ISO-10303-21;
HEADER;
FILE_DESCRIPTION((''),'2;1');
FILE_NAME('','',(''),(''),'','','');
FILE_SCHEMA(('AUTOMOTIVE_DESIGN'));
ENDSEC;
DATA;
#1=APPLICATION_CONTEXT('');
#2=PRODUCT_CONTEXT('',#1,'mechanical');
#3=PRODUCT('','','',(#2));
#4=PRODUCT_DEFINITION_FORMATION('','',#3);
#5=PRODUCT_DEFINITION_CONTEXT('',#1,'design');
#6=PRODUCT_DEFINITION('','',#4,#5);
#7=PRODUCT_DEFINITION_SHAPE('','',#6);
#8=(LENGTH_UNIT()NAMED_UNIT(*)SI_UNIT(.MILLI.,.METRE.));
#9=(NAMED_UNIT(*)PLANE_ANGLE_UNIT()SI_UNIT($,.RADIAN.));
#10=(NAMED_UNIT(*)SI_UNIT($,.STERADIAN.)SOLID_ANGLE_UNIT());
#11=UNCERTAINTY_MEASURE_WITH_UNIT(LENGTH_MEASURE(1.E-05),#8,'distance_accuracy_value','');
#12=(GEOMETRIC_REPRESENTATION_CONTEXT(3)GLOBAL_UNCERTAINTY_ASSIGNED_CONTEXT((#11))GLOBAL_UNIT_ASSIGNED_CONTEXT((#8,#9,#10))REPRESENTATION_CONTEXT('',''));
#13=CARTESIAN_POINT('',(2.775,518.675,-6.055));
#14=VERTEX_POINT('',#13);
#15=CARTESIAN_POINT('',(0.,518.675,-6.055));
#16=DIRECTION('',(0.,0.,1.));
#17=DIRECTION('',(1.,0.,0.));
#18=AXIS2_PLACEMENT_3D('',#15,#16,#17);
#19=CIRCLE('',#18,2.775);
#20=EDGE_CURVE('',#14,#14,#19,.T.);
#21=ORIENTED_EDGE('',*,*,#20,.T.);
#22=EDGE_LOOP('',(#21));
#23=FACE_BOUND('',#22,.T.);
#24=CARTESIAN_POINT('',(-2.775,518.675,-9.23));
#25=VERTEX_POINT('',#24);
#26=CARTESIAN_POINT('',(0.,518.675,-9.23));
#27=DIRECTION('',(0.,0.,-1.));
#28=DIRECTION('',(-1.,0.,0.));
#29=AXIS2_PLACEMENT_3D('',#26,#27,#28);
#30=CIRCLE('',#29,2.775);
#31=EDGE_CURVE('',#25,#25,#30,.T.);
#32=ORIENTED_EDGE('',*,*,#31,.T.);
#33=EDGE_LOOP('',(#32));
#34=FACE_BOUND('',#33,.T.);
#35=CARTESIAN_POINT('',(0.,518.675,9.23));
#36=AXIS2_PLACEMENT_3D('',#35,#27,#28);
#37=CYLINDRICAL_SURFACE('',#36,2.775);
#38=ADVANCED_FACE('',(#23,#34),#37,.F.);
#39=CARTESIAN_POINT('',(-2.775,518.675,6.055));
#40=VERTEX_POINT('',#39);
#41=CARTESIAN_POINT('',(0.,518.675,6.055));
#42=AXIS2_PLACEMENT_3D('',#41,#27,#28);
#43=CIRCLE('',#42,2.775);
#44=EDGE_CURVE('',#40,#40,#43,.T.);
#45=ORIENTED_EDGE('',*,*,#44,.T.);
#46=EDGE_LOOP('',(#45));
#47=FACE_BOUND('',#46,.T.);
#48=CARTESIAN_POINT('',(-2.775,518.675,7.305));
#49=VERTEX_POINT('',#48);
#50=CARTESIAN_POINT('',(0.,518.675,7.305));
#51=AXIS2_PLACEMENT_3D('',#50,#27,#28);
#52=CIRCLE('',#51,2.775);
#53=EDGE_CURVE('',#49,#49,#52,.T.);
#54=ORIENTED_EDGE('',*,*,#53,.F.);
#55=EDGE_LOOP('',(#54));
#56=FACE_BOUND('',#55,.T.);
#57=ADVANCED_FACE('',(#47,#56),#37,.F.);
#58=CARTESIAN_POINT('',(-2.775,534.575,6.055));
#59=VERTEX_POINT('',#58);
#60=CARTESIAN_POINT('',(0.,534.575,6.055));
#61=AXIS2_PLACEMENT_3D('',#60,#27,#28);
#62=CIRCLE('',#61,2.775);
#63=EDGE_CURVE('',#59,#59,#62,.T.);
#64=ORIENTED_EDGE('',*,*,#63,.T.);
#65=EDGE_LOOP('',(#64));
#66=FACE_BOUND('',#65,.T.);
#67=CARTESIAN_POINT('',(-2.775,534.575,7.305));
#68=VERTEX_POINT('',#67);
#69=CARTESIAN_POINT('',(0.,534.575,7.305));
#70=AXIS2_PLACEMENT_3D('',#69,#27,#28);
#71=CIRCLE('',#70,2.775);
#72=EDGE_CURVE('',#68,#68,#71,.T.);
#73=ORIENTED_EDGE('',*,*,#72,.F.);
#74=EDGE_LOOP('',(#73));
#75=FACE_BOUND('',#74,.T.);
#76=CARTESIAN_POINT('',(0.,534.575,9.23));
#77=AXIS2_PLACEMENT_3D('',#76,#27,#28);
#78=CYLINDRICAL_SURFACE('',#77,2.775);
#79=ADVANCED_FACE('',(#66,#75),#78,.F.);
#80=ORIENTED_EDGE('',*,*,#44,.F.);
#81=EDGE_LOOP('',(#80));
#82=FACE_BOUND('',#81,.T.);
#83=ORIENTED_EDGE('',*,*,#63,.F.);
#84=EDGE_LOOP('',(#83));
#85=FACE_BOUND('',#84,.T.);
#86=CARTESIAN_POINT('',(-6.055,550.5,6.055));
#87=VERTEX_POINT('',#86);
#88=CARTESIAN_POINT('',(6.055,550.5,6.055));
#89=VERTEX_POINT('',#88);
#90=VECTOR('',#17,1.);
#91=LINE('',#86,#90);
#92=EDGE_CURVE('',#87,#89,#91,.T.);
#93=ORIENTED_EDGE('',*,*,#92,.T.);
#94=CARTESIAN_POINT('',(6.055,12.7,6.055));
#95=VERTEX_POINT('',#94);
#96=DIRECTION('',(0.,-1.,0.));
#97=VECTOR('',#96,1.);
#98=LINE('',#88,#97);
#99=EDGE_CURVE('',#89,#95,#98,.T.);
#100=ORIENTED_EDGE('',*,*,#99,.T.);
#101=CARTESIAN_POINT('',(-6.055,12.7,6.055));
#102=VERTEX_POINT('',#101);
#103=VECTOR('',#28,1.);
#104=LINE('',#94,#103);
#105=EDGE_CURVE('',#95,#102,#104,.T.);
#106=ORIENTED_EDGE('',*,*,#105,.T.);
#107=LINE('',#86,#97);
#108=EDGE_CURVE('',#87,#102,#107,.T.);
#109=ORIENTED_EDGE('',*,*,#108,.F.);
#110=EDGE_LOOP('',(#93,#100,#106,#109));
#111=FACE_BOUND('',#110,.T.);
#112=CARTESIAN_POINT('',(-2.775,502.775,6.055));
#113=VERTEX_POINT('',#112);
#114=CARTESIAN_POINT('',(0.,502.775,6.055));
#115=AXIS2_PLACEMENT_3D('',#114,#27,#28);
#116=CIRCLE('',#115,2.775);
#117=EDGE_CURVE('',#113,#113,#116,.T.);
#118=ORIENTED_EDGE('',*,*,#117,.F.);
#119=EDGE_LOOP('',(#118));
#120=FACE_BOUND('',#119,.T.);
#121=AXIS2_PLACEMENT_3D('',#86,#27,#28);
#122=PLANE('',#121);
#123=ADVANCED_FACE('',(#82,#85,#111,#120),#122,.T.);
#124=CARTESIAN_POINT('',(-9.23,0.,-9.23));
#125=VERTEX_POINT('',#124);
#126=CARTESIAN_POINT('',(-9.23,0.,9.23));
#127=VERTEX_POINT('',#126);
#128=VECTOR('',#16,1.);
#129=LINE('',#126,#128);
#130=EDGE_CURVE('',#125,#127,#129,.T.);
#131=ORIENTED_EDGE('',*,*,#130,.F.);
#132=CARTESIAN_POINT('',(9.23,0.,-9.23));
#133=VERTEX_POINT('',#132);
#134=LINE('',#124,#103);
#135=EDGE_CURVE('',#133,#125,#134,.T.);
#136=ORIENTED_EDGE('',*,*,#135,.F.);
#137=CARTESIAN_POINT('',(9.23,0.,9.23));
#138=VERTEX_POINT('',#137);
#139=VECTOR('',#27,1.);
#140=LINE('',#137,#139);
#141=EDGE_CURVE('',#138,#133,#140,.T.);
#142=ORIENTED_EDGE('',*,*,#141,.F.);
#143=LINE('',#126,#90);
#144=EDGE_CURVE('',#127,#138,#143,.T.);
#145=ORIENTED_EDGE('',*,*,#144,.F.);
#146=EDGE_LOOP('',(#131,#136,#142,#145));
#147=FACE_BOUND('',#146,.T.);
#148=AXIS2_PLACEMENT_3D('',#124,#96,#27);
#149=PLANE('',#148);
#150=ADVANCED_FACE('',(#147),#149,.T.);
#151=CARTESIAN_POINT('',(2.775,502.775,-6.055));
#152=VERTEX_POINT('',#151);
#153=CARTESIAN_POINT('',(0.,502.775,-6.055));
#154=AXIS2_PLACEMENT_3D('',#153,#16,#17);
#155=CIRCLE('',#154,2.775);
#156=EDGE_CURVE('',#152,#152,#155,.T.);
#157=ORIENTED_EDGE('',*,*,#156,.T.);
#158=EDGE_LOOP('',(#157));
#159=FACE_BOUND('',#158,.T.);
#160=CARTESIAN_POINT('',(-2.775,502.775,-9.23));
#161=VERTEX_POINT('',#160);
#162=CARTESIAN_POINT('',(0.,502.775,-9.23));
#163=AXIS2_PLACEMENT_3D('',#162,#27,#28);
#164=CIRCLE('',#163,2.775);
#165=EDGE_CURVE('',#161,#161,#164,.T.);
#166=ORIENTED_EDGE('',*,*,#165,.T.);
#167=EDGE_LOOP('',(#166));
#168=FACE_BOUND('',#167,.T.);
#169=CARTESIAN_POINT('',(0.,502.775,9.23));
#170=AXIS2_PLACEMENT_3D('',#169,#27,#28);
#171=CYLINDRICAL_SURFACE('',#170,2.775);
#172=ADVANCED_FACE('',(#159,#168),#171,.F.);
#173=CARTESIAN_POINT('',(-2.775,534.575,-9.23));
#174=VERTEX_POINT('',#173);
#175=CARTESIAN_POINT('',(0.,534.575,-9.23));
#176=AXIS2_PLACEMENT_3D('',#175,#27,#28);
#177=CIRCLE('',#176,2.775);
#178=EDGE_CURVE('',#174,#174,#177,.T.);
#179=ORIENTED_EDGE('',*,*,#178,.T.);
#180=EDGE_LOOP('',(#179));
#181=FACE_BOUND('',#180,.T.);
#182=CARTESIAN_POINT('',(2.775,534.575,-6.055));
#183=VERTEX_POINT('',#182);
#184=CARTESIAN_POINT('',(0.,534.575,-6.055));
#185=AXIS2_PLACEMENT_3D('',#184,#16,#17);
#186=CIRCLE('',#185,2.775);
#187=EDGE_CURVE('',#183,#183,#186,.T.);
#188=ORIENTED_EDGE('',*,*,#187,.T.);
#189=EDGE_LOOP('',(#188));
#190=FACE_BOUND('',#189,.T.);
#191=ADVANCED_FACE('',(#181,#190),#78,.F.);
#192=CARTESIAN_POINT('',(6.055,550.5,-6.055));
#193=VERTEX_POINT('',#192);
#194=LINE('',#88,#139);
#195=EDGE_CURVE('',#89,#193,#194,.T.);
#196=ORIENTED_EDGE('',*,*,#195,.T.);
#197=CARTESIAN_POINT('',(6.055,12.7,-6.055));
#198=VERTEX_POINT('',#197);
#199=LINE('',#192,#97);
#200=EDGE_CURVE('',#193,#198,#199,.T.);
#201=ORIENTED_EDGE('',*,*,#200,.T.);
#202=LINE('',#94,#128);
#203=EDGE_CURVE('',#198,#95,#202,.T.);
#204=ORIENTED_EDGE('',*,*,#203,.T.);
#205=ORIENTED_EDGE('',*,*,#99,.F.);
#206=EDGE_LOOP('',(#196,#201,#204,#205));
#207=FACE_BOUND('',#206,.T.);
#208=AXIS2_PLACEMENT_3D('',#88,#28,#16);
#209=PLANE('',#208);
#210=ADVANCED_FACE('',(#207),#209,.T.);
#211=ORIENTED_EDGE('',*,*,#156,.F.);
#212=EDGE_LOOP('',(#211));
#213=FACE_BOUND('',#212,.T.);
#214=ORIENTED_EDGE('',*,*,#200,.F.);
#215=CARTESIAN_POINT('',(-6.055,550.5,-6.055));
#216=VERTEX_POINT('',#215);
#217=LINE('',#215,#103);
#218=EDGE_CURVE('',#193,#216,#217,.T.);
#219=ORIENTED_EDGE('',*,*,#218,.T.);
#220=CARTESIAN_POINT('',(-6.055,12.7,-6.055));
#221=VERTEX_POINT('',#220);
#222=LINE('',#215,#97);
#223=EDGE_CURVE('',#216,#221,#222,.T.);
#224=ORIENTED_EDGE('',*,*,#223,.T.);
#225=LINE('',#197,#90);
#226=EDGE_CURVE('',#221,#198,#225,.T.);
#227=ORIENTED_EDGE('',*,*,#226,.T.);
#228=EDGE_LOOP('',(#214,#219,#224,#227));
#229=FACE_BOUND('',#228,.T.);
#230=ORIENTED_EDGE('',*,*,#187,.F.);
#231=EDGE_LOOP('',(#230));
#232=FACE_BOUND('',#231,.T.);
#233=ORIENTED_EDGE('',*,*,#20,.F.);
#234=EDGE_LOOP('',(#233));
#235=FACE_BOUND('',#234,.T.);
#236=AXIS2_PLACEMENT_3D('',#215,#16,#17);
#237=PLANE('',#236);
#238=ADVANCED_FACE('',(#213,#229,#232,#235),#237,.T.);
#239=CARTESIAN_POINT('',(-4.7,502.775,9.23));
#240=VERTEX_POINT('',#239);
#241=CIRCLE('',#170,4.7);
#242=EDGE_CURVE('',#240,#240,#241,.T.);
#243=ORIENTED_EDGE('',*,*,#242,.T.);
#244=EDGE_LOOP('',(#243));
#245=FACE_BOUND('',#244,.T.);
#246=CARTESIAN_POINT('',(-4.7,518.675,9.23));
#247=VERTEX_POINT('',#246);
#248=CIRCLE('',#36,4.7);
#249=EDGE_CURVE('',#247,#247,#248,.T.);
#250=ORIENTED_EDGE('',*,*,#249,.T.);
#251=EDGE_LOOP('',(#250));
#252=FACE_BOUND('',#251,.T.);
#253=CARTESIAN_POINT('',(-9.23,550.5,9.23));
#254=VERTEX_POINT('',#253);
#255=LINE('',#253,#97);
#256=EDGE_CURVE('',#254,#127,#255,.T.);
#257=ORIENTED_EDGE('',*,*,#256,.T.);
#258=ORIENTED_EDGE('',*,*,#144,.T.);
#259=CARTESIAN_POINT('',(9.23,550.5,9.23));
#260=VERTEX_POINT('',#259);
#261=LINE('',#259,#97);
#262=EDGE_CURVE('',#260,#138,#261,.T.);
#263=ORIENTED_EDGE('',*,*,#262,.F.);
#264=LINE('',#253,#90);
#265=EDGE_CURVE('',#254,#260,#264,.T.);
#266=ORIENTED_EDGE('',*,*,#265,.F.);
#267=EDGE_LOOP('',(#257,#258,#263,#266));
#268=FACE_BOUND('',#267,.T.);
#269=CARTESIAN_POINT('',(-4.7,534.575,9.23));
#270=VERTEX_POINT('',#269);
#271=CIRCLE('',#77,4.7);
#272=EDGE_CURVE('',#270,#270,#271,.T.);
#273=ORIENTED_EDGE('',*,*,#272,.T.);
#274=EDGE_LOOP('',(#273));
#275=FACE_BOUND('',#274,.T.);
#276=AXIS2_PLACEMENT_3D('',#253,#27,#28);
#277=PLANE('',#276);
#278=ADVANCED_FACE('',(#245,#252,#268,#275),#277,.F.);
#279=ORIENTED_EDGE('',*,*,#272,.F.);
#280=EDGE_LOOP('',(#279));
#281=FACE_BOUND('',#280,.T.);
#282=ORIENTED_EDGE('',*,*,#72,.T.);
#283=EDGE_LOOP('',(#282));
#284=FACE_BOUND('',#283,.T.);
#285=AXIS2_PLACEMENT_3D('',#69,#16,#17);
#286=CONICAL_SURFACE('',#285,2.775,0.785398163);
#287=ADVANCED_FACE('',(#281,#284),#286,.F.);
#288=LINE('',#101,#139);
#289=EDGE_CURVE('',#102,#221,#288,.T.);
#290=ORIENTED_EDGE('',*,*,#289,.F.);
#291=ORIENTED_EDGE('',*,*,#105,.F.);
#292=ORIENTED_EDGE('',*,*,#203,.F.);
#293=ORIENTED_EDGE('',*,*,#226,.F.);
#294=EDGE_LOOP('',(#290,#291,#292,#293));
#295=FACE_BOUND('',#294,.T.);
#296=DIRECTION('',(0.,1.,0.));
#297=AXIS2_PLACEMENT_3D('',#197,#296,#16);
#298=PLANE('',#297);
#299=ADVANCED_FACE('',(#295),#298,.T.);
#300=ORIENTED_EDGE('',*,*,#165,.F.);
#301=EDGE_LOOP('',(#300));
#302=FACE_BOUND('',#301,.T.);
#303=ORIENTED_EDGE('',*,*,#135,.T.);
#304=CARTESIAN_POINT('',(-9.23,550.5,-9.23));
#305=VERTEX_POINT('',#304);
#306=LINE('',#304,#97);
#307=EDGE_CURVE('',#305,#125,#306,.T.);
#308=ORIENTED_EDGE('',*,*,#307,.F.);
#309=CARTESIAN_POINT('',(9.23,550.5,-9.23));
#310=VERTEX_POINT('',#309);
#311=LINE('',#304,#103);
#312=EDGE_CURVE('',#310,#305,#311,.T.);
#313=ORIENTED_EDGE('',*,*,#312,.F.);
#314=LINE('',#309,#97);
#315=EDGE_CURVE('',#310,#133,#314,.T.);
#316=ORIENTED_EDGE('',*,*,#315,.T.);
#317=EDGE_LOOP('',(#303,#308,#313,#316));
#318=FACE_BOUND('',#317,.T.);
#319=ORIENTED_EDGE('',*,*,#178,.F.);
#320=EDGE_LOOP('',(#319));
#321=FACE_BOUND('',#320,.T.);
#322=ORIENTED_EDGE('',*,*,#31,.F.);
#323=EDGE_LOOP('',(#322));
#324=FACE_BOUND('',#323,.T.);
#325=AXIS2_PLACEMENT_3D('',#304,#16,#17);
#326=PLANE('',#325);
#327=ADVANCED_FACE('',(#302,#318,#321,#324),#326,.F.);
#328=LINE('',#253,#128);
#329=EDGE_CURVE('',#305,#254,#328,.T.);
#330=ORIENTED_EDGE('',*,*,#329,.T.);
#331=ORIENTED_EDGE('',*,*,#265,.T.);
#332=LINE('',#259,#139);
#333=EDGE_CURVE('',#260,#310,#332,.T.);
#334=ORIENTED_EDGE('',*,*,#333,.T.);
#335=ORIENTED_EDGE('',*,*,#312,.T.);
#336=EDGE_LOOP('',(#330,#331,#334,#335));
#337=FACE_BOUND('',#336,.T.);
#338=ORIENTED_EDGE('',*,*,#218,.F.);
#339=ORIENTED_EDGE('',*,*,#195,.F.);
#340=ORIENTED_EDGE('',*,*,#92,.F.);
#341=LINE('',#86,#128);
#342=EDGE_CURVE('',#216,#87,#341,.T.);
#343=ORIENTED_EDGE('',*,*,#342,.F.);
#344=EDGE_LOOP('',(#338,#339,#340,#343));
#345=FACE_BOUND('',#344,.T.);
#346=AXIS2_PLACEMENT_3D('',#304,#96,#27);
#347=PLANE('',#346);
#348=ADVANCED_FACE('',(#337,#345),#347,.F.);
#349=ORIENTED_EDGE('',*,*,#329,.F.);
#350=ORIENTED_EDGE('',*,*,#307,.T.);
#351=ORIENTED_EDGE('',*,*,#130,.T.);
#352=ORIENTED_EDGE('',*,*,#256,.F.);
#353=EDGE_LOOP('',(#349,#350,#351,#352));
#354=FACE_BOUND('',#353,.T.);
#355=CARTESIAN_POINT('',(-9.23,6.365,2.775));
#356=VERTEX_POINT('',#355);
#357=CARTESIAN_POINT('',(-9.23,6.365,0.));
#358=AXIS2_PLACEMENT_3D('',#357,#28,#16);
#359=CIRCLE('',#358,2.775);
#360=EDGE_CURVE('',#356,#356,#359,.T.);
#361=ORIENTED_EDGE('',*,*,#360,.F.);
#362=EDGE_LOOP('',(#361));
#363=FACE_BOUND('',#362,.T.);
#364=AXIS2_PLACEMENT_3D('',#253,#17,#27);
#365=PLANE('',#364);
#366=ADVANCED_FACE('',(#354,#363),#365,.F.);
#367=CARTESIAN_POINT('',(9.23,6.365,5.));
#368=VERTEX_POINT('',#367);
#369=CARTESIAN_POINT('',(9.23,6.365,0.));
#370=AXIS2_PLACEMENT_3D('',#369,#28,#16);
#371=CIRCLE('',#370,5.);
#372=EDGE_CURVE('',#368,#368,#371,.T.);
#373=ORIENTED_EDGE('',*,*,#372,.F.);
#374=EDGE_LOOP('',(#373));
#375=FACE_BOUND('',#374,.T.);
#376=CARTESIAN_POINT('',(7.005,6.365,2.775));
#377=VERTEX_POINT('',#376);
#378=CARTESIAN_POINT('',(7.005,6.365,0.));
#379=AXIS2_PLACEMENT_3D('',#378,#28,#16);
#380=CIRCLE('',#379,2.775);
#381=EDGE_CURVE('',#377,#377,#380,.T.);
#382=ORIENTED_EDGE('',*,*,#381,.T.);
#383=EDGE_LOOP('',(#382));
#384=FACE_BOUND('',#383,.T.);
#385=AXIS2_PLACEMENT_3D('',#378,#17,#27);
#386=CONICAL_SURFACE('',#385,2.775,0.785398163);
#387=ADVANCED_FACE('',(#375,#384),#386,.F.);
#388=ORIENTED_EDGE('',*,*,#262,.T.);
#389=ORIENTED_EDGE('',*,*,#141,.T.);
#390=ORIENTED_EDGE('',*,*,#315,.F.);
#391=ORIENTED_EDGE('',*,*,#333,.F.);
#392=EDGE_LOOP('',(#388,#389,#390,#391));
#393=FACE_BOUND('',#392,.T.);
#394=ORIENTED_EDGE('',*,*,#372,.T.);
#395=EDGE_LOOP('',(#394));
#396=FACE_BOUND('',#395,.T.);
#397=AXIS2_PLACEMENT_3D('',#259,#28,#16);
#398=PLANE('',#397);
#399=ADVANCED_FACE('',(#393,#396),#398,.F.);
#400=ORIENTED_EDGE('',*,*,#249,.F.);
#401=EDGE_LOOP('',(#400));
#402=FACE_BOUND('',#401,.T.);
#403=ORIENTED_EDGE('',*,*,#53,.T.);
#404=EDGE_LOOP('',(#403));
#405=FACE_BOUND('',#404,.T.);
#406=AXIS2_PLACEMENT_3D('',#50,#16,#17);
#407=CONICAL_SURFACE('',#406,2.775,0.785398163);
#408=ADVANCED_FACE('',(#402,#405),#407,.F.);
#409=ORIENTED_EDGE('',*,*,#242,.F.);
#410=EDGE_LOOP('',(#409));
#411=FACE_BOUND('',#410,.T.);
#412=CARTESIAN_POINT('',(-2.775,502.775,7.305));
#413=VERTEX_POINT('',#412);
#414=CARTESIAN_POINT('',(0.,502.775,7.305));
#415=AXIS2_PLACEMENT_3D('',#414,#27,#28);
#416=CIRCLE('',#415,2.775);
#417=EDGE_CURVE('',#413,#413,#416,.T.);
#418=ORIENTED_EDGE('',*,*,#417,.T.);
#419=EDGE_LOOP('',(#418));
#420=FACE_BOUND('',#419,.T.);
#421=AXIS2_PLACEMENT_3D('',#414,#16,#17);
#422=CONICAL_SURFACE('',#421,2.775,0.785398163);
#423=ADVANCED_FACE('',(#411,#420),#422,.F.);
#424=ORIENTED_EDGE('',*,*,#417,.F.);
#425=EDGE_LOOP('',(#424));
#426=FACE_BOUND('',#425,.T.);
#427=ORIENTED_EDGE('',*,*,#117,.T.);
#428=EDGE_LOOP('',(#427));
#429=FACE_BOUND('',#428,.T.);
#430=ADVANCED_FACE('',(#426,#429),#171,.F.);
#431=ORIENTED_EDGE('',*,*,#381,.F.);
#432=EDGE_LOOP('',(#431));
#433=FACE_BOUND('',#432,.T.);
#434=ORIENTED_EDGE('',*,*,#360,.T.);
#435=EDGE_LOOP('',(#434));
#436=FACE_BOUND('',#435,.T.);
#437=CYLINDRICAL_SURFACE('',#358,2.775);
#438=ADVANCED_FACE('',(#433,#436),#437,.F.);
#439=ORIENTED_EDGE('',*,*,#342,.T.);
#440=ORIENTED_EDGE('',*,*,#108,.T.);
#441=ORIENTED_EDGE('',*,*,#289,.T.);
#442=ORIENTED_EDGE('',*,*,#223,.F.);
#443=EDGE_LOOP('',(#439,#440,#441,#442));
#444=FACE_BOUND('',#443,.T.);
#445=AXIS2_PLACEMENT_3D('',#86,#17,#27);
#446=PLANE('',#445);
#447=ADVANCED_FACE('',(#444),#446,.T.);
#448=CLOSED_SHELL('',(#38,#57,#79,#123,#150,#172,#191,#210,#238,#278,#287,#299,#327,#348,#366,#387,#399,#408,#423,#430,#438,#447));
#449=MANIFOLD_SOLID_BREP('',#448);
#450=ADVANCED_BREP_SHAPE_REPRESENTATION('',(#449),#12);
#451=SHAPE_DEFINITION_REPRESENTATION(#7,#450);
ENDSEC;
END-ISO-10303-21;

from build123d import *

# Parameters (mm, degrees)
SKETCH1_W           = 18.46
SKETCH1_H           = 18.46
SKETCH1_W_2         = 12.11
SKETCH1_H_2         = 12.11
BOSS_EXTRUDE1_DEPTH = 550.5
SKETCH2_W           = 12.11
SKETCH2_H           = 12.11
BOSS_EXTRUDE2_DEPTH = 12.7
LPATTERN1_COUNT     = 3
LPATTERN1_PITCH     = 15.9


with BuildPart() as part:
    # Sketch1 → Boss-Extrude1 (new body)
    with BuildSketch(Plane(origin=(0, 0, 0), x_dir=(1, 0, 0), z_dir=(0, 1, 0))):
        Rectangle(SKETCH1_W, SKETCH1_H)
        Rectangle(SKETCH1_W_2, SKETCH1_H_2, mode=Mode.SUBTRACT)
    extrude(amount=BOSS_EXTRUDE1_DEPTH)

    # Sketch2 → Boss-Extrude2 (add)
    with BuildSketch(Plane.XZ):
        Rectangle(SKETCH2_W, SKETCH2_H)
    extrude(amount=-BOSS_EXTRUDE2_DEPTH)

    # Sketch4 → Cut-Revolve1 (revolve, cut)
    with BuildSketch(Plane.XY):
        Polygon((-9.23, 6.365), (9.23, 6.365), (9.23, 1.365), (7.005, 3.59), (-9.23, 3.59), align=None)
    revolve(axis=Axis((-9.23, 6.365, 0), (1, 0, 0)), mode=Mode.SUBTRACT)

    # Sketch5 → Cut-Revolve2 (revolve, cut)
    with BuildSketch(Plane(origin=(0, 0, 0), x_dir=(0, 0, -1), z_dir=(1, 0, 0))):
        Polygon((-7.305, 537.35), (-9.23, 539.275), (-9.23, 534.575), (9.23, 534.575), (9.23, 537.35), align=None)
    cut_revolve2 = revolve(axis=Axis((0, 534.575, 9.23), (0, 0, 1)), mode=Mode.SUBTRACT)

    # LPattern1: Cut-Revolve2 ×3
    with Locations(*[(0, -i * LPATTERN1_PITCH, 0) for i in range(1, LPATTERN1_COUNT)]):
        add(cut_revolve2, mode=Mode.SUBTRACT)


solid = part.part
